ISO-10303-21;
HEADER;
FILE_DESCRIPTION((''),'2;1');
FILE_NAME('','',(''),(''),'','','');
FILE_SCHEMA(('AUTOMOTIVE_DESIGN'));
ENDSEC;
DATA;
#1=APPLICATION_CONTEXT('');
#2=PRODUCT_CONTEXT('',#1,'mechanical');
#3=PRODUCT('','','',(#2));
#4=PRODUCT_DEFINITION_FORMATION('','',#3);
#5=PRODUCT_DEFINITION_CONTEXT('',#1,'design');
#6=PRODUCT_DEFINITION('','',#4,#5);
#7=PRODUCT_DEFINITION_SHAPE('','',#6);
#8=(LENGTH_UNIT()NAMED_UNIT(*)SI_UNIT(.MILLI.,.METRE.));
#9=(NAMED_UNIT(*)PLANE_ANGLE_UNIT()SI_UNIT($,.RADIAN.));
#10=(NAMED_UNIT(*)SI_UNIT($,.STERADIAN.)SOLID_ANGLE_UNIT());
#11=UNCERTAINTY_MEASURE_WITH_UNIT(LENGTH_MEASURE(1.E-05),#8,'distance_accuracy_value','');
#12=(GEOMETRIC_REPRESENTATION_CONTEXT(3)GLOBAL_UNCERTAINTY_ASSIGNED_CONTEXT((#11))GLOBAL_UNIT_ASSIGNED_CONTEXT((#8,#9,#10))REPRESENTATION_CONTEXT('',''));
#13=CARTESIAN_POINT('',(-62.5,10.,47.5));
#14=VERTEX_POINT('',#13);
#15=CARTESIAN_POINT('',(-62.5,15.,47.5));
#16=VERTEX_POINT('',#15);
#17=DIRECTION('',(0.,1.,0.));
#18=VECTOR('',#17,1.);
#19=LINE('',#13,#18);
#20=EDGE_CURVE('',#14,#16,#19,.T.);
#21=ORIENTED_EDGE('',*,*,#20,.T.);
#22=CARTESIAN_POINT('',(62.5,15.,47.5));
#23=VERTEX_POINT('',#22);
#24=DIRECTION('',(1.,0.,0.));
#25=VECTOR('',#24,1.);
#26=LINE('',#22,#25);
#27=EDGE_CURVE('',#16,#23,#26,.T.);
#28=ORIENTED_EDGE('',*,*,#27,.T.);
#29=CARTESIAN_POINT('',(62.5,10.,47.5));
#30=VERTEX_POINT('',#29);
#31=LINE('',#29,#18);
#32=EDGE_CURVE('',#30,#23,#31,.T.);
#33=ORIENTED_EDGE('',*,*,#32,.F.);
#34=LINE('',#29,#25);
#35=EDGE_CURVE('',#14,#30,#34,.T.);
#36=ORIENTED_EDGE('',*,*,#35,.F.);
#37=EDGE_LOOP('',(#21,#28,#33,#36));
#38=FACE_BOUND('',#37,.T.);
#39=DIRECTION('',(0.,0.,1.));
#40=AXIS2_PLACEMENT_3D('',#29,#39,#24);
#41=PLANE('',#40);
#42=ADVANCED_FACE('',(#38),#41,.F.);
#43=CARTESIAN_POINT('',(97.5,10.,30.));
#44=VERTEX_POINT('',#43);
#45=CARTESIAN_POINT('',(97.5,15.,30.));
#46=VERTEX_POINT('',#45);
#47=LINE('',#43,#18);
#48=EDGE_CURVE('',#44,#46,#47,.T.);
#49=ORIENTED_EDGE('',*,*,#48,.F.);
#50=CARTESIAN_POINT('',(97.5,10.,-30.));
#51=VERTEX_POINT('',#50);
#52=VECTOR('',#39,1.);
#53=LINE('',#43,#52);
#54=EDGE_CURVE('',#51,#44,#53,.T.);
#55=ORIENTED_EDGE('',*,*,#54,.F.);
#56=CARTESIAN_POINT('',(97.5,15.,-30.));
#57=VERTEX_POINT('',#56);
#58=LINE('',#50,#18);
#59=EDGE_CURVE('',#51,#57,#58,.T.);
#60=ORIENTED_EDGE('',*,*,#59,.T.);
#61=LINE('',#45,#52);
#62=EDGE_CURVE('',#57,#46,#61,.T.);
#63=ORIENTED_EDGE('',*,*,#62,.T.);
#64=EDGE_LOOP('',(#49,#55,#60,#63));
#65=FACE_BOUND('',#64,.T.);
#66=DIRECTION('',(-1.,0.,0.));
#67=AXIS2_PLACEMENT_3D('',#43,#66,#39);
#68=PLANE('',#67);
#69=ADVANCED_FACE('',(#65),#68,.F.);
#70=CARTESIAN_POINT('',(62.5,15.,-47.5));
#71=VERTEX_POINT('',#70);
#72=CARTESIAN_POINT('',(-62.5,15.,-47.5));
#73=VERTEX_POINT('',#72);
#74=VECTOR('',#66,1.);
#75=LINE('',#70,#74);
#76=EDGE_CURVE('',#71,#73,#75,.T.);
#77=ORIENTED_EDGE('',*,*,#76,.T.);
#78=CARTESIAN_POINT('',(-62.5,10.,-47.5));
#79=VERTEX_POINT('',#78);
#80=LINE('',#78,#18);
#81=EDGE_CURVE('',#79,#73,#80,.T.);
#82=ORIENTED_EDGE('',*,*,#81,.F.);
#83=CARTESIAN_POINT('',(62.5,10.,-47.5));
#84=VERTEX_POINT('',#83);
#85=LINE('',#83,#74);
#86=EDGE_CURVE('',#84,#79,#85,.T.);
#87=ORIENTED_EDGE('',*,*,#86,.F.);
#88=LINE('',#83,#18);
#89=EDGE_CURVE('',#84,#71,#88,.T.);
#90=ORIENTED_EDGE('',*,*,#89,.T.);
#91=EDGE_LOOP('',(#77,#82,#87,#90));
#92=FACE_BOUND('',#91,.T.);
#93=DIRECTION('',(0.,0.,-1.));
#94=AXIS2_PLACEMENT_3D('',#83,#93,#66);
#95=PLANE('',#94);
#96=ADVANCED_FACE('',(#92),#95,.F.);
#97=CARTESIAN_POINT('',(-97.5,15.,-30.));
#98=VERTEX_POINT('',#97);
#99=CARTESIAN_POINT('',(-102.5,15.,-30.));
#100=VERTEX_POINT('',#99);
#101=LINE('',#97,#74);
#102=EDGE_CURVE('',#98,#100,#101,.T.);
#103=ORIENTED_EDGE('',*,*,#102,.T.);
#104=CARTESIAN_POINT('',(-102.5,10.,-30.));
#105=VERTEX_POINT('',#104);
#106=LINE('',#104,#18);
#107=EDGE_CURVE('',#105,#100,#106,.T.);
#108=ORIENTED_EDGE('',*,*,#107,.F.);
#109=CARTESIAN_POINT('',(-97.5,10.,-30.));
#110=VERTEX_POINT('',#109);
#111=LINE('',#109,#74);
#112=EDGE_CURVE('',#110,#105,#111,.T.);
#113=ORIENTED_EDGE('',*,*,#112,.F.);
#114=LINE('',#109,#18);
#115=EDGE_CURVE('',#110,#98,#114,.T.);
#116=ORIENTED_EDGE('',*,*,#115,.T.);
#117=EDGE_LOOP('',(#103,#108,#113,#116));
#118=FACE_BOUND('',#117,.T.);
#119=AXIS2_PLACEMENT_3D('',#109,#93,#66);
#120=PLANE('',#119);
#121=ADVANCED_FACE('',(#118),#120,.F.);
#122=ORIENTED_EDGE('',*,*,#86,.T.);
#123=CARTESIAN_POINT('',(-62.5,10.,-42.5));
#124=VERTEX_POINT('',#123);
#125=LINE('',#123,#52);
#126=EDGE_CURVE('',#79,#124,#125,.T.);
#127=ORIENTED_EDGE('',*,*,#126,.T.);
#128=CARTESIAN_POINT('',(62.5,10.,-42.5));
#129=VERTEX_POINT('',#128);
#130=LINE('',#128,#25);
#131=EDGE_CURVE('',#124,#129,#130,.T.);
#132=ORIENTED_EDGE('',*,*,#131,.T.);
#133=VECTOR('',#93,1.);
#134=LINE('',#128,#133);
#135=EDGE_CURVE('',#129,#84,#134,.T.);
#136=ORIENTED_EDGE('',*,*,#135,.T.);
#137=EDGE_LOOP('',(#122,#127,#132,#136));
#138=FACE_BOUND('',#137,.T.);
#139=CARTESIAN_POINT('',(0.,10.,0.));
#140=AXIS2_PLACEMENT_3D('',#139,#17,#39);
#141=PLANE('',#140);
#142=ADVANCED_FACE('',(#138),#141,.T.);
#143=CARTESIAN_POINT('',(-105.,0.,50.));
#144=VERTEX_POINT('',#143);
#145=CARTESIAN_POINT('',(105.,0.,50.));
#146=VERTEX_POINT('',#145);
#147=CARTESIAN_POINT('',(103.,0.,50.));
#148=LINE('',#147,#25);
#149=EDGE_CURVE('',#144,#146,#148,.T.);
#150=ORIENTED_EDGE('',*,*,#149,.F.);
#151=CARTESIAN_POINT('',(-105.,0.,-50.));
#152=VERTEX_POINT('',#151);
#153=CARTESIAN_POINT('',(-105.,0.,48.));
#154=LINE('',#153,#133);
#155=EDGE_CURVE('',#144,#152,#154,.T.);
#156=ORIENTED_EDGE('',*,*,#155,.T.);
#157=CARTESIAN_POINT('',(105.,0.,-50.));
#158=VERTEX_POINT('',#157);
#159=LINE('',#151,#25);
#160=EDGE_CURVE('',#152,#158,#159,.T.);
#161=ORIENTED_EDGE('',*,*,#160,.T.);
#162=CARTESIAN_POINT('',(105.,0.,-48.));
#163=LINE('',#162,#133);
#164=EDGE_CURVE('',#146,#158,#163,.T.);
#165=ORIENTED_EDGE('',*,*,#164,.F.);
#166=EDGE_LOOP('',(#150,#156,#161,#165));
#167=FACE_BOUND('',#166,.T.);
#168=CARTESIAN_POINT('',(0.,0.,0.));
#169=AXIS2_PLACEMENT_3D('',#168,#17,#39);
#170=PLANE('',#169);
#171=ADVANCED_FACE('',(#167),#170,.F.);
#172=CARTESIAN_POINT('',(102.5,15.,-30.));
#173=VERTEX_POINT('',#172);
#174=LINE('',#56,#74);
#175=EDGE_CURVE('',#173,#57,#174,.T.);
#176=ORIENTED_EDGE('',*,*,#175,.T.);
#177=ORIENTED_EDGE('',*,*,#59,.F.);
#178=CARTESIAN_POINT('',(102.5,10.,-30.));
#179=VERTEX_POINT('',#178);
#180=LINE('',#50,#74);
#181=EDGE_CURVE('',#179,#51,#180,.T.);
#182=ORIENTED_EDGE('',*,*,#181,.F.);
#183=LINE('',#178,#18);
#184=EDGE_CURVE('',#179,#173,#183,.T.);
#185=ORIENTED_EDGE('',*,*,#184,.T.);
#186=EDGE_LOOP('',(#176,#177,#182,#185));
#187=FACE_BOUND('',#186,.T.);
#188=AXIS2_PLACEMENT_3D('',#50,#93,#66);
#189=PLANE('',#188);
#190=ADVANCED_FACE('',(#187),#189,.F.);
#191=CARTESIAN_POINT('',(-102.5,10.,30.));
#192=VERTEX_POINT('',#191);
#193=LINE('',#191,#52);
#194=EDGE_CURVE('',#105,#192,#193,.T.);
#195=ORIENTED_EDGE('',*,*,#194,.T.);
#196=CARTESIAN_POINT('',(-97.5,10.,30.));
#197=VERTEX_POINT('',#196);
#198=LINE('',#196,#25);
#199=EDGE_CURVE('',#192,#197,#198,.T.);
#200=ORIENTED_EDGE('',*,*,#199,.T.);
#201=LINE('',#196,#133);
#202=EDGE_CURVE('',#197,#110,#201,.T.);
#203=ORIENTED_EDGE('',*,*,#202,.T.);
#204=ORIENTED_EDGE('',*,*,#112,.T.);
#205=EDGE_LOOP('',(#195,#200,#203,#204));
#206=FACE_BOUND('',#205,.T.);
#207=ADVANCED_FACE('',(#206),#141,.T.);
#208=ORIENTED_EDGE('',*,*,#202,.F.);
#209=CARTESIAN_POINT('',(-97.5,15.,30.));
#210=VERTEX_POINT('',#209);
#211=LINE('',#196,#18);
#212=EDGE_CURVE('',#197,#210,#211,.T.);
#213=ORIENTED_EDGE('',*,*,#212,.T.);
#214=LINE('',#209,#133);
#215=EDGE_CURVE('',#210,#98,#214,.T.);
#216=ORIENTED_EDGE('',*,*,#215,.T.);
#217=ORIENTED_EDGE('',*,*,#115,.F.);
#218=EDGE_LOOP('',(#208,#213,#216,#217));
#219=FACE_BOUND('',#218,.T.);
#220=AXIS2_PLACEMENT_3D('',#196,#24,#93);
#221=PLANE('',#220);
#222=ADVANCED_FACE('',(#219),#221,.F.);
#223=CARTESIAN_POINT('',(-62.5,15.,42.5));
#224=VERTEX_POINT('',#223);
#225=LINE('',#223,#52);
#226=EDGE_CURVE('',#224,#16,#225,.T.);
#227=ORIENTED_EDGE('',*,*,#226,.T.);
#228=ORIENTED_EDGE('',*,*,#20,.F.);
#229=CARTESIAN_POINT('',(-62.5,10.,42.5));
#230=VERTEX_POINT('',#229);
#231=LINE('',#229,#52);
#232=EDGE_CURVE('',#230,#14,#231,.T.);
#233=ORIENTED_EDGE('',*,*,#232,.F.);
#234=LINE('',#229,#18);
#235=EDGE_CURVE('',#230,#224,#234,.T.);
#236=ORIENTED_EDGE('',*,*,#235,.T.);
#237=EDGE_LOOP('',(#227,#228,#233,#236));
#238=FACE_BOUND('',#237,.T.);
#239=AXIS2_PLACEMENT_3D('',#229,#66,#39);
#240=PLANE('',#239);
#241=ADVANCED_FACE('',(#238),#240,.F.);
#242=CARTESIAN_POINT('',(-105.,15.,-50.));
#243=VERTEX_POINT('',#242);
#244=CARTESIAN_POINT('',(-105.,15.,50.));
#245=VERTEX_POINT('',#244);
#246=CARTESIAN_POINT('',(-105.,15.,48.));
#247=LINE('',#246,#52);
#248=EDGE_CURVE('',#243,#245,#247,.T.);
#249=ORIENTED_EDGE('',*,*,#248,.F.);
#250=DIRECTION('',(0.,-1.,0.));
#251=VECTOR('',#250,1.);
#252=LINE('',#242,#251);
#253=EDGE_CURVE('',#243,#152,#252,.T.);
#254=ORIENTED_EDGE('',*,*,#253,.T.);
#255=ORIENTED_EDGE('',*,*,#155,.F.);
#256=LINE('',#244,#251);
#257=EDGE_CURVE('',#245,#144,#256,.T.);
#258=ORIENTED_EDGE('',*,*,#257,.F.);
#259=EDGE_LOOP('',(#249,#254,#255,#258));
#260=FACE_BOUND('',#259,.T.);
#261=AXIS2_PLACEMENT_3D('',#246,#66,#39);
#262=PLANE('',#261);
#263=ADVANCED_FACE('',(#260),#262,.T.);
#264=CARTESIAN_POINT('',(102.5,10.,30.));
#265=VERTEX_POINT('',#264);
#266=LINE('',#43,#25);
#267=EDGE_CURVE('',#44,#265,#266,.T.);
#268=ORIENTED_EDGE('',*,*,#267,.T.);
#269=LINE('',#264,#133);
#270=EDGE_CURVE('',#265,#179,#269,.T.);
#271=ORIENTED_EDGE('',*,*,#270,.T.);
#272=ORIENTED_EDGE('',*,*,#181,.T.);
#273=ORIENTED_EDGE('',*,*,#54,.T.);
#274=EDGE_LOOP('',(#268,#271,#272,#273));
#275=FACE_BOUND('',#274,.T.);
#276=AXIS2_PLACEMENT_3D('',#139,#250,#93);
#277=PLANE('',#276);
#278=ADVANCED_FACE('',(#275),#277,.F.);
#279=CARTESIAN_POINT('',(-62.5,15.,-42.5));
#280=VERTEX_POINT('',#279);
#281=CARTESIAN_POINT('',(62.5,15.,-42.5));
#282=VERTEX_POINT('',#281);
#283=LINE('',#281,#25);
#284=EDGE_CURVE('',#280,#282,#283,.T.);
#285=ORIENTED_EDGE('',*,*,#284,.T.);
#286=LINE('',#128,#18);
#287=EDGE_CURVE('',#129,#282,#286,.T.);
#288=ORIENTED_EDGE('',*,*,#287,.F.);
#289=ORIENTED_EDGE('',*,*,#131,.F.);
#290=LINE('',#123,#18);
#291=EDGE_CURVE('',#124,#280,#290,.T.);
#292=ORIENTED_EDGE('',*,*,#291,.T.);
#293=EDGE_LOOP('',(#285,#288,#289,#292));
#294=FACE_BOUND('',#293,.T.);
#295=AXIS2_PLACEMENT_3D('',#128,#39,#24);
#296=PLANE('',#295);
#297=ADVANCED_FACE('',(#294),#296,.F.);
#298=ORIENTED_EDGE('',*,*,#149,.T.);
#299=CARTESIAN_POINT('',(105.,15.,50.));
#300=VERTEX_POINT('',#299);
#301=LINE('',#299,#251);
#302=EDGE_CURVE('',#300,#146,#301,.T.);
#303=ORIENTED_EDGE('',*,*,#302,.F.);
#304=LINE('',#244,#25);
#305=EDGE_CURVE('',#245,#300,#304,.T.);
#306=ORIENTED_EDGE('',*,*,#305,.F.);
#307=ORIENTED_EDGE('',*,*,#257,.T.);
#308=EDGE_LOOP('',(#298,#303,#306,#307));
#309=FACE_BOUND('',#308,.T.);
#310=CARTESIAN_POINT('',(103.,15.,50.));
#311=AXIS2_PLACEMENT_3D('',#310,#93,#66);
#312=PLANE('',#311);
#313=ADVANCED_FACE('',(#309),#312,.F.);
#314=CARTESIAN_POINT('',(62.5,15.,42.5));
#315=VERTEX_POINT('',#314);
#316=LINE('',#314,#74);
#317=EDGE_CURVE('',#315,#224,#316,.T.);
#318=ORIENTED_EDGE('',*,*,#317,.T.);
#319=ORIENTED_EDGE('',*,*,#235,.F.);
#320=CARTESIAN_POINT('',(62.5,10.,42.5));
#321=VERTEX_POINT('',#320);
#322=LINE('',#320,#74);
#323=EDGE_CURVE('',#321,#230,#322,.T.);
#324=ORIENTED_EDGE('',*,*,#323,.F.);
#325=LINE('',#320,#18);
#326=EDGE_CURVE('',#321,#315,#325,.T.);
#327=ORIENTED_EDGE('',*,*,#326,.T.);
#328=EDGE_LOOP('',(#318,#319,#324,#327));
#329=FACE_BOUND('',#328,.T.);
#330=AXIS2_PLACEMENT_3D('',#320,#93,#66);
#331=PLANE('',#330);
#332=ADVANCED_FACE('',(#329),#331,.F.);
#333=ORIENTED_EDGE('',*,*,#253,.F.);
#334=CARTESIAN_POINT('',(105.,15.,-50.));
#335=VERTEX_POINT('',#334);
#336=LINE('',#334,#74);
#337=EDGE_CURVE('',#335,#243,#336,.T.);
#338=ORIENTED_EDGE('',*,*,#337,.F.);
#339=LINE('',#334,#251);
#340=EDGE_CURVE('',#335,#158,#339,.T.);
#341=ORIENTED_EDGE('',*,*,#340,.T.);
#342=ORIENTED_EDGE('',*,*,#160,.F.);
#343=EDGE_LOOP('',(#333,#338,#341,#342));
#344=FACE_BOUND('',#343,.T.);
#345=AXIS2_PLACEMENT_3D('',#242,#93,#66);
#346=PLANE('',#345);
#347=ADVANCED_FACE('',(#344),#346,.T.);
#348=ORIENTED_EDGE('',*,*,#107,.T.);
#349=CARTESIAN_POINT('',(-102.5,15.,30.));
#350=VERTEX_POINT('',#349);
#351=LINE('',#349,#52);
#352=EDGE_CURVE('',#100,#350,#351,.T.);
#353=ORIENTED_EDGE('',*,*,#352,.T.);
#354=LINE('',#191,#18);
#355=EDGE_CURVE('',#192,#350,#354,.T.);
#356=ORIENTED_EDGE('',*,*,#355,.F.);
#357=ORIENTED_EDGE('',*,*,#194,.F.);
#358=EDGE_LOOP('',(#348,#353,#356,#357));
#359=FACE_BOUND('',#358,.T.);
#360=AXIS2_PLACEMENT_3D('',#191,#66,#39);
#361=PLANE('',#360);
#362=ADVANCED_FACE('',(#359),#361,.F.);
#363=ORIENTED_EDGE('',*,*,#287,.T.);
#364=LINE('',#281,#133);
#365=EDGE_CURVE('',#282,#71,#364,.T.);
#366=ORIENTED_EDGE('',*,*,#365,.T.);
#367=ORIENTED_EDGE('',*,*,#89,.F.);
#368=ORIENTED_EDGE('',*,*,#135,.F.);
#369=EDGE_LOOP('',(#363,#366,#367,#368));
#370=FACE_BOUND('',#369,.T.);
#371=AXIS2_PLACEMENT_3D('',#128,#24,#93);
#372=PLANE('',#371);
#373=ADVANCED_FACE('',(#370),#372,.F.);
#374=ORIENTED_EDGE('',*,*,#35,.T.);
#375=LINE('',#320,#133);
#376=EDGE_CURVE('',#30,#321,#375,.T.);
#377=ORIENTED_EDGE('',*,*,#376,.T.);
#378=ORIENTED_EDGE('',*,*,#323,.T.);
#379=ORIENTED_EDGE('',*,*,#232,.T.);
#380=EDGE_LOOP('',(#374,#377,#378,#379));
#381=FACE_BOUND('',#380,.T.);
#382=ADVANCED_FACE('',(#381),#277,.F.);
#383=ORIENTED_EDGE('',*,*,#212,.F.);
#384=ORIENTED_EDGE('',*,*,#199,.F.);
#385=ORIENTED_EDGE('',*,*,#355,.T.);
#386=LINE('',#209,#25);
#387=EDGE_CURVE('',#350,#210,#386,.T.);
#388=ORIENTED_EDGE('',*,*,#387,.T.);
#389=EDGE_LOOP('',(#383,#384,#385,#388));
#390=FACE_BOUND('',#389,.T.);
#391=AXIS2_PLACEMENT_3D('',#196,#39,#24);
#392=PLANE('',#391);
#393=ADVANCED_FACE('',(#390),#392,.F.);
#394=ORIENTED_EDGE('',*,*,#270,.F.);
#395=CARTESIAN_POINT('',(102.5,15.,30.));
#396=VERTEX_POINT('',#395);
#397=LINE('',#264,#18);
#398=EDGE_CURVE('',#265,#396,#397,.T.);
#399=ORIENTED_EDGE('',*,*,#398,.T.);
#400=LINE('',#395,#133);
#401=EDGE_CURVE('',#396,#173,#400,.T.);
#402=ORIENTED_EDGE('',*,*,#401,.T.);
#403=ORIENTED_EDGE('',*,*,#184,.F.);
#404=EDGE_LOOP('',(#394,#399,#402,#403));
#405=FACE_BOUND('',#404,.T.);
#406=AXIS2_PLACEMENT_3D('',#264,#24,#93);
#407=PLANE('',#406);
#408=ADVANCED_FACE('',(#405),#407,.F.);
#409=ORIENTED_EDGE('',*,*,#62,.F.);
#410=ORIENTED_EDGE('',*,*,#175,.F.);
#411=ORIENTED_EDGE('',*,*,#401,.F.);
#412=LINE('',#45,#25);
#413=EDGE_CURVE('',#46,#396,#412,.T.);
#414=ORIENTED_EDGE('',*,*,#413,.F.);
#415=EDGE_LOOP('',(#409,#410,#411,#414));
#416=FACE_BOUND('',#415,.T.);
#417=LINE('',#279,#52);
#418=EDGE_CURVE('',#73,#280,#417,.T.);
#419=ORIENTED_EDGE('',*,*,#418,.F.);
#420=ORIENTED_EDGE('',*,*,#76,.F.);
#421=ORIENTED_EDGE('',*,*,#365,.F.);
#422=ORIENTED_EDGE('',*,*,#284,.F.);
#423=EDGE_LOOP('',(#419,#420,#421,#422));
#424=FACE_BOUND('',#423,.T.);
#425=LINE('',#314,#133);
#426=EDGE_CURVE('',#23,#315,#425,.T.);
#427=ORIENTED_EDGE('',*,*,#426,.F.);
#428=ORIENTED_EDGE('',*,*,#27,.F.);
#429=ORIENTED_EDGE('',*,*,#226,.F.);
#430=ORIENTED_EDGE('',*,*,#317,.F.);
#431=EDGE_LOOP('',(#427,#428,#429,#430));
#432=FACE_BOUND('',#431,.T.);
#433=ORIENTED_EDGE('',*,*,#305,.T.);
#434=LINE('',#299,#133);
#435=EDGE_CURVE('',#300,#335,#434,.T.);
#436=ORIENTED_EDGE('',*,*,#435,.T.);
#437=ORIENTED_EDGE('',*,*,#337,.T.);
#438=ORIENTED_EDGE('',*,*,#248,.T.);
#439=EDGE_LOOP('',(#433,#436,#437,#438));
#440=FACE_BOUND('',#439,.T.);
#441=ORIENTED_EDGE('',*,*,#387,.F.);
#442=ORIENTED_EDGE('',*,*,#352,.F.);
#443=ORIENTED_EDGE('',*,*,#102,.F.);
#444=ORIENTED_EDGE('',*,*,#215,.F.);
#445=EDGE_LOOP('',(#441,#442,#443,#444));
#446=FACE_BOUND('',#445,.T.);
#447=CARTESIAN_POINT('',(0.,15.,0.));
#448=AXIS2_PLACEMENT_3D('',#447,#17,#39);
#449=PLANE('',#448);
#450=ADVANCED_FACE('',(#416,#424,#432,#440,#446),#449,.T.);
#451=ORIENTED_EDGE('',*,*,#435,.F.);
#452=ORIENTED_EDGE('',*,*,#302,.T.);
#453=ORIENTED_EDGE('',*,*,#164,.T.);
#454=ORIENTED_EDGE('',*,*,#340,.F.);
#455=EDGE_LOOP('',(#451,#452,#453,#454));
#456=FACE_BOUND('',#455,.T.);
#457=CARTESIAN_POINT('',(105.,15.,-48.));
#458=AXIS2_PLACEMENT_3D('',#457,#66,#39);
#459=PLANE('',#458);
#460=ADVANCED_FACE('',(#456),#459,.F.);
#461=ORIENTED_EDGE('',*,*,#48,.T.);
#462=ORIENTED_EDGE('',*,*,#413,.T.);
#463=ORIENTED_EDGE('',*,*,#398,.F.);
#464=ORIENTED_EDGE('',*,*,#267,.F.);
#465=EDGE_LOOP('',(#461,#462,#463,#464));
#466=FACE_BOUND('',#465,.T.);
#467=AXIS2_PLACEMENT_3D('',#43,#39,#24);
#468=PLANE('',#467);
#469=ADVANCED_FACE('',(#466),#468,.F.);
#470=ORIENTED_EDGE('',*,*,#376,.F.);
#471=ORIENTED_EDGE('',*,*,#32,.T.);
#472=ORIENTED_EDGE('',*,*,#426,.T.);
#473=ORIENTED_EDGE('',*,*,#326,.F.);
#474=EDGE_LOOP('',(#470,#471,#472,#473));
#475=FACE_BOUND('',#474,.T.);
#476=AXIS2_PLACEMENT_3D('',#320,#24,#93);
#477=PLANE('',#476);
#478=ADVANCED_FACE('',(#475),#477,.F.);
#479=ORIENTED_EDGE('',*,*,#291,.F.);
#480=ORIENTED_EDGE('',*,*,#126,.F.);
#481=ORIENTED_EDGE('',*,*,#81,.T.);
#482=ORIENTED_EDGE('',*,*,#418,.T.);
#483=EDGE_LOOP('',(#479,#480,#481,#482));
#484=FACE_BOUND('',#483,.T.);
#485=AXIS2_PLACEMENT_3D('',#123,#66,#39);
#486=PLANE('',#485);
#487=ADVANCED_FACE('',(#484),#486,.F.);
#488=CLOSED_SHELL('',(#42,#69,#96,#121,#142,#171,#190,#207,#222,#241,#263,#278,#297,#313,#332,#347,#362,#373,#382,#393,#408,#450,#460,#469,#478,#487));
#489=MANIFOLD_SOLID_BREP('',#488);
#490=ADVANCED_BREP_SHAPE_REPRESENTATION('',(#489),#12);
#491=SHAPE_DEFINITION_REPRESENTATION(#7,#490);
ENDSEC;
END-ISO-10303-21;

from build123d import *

# Parameters (mm, degrees)
BOSS_EXTRUDE1_DEPTH = 15
SKETCH5_W           = 5
SKETCH5_H           = 60
SKETCH5_W_2         = 125
SKETCH5_H_2         = 5
CUT_EXTRUDE2_DEPTH  = 5


with BuildPart() as part:
    # Sketch1 → Boss-Extrude1 (new body)
    with BuildSketch(Plane(origin=(0, 0, 0), x_dir=(1, 0, 0), z_dir=(0, 1, 0))):
        Polygon((-105, 48), (-105, 50), (-103, 50), (103, 50), (105, 50), (105, 48), (105, -48), (105, -50), (103, -50), (-103, -50), (-105, -50), (-105, -48), align=None)
    extrude(amount=BOSS_EXTRUDE1_DEPTH)

    # Sketch5 → Cut-Extrude2 (cut)
    with BuildSketch(Plane(origin=(0, 15, 0), x_dir=(1, 0, 0), z_dir=(0, 1, 0))):
        with Locations((100, 0)):
            Rectangle(SKETCH5_W, SKETCH5_H)
        with Locations((-100, 0)):
            Rectangle(SKETCH5_W, SKETCH5_H)
        with Locations((0, -45)):
            Rectangle(SKETCH5_W_2, SKETCH5_H_2)
        with Locations((0, 45)):
            Rectangle(SKETCH5_W_2, SKETCH5_H_2)
    extrude(amount=-CUT_EXTRUDE2_DEPTH, mode=Mode.SUBTRACT)


solid = part.part
